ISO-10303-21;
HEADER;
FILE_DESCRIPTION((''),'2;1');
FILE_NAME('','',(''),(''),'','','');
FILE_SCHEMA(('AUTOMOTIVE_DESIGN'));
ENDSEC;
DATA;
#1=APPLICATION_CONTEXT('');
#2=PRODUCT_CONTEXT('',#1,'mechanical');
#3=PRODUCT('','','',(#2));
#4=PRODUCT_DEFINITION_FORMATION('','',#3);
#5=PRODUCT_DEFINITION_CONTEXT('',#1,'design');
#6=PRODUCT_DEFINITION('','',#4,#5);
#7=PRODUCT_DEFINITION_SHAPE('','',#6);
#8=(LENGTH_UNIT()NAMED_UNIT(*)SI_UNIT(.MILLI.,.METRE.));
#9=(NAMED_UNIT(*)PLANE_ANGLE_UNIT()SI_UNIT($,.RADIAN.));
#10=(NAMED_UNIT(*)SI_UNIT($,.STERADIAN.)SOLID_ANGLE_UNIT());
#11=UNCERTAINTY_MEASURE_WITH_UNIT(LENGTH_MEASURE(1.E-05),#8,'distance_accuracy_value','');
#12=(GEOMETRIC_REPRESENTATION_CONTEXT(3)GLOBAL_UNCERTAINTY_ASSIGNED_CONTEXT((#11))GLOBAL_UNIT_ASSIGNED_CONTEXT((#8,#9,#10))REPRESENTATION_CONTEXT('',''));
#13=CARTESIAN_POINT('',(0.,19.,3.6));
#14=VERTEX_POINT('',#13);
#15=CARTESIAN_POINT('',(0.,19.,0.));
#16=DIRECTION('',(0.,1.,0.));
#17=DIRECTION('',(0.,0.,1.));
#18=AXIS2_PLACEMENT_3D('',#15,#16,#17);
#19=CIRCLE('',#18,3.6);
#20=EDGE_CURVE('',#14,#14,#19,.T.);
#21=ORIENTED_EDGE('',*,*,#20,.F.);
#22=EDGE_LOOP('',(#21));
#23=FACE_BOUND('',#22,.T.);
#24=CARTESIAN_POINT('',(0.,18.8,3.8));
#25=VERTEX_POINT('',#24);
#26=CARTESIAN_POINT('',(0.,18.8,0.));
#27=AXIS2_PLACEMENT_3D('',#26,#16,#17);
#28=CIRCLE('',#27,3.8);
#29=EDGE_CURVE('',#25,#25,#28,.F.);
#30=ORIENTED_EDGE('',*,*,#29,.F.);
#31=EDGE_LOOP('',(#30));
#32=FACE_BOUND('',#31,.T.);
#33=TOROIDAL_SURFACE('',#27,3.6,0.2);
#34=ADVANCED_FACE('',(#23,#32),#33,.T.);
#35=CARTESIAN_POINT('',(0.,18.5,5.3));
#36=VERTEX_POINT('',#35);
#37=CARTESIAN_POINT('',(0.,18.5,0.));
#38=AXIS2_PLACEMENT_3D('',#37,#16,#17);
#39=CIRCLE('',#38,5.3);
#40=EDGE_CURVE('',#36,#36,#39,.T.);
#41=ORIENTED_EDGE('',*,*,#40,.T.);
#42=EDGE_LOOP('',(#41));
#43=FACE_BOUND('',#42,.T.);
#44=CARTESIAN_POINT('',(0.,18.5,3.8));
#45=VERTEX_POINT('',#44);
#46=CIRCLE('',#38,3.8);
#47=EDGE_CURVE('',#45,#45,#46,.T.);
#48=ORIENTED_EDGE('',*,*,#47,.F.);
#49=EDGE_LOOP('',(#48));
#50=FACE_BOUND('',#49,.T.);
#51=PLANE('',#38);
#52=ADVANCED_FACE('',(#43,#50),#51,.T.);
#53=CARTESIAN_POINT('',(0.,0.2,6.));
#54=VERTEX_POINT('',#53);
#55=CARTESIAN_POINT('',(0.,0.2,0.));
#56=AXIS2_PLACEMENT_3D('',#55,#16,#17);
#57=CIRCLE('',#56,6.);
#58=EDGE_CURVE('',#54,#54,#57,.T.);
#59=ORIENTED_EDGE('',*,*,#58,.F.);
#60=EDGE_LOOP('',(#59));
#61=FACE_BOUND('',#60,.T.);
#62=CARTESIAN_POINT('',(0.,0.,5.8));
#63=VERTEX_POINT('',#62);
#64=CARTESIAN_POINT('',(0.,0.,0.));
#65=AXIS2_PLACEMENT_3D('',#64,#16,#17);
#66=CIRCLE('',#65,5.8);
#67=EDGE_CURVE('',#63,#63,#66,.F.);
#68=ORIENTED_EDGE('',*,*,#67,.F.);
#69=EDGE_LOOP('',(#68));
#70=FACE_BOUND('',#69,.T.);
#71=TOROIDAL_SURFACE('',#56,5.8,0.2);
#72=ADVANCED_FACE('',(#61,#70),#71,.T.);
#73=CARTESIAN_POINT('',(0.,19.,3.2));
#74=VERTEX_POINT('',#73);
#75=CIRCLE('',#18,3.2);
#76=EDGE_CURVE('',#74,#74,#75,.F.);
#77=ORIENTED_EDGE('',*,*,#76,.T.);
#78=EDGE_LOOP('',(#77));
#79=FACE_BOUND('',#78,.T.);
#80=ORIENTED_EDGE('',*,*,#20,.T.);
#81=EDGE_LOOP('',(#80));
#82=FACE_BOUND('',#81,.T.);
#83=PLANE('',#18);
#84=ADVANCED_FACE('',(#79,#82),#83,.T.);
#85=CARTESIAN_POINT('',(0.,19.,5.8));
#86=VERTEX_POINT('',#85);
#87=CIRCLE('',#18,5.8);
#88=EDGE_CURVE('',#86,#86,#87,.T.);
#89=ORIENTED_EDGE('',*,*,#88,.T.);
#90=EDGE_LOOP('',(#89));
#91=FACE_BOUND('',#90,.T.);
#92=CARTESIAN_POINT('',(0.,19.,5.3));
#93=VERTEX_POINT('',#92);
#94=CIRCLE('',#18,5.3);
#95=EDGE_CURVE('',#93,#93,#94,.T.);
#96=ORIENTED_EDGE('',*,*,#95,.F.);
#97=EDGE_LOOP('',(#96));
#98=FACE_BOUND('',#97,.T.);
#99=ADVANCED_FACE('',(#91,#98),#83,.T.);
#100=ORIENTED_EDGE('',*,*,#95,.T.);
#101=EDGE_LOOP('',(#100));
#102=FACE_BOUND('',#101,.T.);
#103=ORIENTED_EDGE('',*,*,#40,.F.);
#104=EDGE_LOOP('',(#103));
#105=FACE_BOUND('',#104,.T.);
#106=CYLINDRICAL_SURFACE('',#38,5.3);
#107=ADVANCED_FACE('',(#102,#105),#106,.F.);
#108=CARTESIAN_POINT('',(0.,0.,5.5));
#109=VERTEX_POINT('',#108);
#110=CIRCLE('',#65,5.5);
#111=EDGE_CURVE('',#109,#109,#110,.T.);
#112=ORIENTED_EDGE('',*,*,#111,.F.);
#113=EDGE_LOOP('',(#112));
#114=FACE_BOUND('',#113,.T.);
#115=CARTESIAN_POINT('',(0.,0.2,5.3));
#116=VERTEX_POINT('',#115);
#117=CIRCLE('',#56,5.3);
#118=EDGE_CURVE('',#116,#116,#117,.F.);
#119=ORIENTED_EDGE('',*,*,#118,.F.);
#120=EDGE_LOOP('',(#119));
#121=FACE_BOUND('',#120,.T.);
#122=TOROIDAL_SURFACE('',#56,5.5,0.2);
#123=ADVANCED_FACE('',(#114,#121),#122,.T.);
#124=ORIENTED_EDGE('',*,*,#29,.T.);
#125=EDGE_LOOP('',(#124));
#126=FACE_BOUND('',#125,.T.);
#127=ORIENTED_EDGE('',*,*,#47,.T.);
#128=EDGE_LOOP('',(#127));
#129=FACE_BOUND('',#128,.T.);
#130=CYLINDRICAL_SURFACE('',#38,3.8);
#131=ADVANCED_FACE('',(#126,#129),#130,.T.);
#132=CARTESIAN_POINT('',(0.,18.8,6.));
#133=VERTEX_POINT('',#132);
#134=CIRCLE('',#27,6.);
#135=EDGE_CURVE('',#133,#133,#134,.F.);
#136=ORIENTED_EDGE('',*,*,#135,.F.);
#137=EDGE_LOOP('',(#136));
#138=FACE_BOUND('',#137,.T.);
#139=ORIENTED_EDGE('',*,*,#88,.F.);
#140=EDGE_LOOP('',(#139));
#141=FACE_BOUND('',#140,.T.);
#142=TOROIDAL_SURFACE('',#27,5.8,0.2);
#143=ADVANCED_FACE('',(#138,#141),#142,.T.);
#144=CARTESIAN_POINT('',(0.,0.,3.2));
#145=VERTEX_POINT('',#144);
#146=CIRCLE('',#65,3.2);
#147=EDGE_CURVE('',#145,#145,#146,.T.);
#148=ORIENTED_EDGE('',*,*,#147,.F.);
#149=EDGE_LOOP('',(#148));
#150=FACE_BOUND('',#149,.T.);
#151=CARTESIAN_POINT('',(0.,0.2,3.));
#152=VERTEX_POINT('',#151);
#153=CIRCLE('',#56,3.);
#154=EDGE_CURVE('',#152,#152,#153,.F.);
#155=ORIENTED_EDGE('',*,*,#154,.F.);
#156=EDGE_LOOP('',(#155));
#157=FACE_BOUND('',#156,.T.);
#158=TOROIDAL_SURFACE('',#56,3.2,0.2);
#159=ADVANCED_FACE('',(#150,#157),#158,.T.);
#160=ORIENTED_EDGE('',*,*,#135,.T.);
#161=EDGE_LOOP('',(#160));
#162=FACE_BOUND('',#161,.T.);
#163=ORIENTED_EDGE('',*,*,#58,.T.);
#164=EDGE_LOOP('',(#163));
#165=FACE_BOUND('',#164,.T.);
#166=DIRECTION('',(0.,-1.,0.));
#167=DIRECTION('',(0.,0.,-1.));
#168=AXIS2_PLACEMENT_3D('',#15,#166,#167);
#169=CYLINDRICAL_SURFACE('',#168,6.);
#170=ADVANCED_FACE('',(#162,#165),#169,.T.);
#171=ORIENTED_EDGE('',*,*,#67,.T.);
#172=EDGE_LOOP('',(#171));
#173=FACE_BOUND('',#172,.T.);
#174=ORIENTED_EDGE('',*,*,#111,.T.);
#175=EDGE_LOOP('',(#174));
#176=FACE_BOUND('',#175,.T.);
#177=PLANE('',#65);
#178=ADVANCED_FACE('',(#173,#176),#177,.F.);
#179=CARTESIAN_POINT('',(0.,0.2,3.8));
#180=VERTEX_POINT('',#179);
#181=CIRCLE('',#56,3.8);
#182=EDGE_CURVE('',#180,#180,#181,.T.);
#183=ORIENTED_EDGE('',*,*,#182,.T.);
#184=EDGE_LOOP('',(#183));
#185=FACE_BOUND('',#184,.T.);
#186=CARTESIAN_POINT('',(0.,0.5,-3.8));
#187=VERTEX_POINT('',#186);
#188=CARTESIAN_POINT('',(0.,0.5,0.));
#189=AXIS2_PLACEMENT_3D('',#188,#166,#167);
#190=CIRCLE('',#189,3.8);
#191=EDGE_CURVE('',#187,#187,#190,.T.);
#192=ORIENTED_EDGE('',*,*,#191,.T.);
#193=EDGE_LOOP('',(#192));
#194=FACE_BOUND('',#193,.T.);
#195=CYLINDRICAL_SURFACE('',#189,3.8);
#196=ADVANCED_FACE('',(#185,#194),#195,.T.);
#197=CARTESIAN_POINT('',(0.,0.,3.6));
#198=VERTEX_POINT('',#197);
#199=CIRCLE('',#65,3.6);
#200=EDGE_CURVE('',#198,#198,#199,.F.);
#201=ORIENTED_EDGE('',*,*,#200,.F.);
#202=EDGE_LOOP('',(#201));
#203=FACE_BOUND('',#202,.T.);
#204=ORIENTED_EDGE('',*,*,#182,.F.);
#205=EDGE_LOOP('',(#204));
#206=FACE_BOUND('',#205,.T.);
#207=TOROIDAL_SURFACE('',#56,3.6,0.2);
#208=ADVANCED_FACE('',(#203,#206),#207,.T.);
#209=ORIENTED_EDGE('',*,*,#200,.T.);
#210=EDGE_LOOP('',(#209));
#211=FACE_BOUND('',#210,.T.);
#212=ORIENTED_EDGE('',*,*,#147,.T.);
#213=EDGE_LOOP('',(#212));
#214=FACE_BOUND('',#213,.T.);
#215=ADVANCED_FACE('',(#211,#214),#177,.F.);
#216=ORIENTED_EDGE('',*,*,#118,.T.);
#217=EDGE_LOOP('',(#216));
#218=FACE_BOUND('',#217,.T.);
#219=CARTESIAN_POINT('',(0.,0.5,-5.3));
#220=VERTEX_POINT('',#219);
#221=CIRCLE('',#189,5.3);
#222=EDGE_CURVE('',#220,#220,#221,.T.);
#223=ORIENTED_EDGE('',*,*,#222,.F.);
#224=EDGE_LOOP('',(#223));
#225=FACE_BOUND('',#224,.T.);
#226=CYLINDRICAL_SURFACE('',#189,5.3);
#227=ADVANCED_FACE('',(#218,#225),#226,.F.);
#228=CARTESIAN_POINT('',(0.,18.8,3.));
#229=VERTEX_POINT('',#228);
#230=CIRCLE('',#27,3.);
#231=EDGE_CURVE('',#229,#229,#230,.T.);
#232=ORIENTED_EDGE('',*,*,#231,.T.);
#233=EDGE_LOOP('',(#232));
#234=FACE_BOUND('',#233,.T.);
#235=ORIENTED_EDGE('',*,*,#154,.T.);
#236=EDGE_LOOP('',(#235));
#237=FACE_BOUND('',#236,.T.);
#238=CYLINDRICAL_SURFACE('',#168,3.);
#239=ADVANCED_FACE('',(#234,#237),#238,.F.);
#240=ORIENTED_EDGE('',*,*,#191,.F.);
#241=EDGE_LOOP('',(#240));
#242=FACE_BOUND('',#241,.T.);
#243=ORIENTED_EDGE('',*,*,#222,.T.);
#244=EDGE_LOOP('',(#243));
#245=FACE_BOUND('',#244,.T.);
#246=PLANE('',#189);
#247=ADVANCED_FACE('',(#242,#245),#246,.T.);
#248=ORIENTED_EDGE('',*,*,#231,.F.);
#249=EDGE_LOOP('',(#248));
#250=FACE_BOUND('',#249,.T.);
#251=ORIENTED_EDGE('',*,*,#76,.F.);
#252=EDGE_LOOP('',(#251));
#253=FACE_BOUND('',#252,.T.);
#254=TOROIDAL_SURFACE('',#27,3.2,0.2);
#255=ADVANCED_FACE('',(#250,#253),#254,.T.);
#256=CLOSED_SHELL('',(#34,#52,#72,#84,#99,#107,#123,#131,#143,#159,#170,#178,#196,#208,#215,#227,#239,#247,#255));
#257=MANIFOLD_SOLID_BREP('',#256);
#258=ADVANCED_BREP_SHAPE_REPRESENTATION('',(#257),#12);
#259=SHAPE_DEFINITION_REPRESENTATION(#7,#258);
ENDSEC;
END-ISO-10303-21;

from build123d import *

# Parameters (mm, degrees)
SKETCH1_R           = 6
SKETCH1_R_2         = 3
BOSS_EXTRUDE1_DEPTH = 19
SKETCH2_R           = 5.3
SKETCH2_R_2         = 3.8
CUT_EXTRUDE1_DEPTH  = 0.5
CUT_EXTRUDE2_START  = -0.5
SKETCH3_R           = 5.3
SKETCH3_R_2         = 3.8
CUT_EXTRUDE2_DEPTH  = 0.5
FILLET1_R           = 0.2


with BuildPart() as part:
    # Sketch1 → Boss-Extrude1 (new body)
    with BuildSketch(Plane(origin=(0, 0, 0), x_dir=(1, 0, 0), z_dir=(0, 1, 0))):
        with Locations(Location((0, 0, 0), (0, 0, 270))):
            Circle(SKETCH1_R)
        with Locations(Location((0, 0, 0), (0, 0, 270))):
            Circle(SKETCH1_R_2, mode=Mode.SUBTRACT)
    extrude(amount=BOSS_EXTRUDE1_DEPTH)

    # Sketch2 → Cut-Extrude1 (cut)
    with BuildSketch(Plane(origin=(0, 19, 0), x_dir=(1, 0, 0), z_dir=(0, 1, 0))):
        with Locations(Location((0, 0, 0), (0, 0, 270))):
            Circle(SKETCH2_R)
        with Locations(Location((0, 0, 0), (0, 0, 270))):
            Circle(SKETCH2_R_2, mode=Mode.SUBTRACT)
    extrude(amount=-CUT_EXTRUDE1_DEPTH, mode=Mode.SUBTRACT)

    # Sketch3 → Cut-Extrude2 (cut)
    with BuildSketch(Plane.XZ.offset(CUT_EXTRUDE2_START)):
        with Locations(Location((0, 0, 0), (0, 0, 90))):
            Circle(SKETCH3_R)
        with Locations(Location((0, 0, 0), (0, 0, 90))):
            Circle(SKETCH3_R_2, mode=Mode.SUBTRACT)
    extrude(amount=CUT_EXTRUDE2_DEPTH, mode=Mode.SUBTRACT)

    # Fillet1
    fillet1_edges = [part.edges().sort_by_distance(p)[0] for p in [
        (0, 19, -3.8),
        (0, 0, -5.3),
        (0, 0, -3.8),
        (0, 0, -6),
        (0, 19, -6),
        (0, 0, -3),
        (0, 19, -3),
    ]]
    fillet(fillet1_edges, radius=FILLET1_R)


solid = part.part
